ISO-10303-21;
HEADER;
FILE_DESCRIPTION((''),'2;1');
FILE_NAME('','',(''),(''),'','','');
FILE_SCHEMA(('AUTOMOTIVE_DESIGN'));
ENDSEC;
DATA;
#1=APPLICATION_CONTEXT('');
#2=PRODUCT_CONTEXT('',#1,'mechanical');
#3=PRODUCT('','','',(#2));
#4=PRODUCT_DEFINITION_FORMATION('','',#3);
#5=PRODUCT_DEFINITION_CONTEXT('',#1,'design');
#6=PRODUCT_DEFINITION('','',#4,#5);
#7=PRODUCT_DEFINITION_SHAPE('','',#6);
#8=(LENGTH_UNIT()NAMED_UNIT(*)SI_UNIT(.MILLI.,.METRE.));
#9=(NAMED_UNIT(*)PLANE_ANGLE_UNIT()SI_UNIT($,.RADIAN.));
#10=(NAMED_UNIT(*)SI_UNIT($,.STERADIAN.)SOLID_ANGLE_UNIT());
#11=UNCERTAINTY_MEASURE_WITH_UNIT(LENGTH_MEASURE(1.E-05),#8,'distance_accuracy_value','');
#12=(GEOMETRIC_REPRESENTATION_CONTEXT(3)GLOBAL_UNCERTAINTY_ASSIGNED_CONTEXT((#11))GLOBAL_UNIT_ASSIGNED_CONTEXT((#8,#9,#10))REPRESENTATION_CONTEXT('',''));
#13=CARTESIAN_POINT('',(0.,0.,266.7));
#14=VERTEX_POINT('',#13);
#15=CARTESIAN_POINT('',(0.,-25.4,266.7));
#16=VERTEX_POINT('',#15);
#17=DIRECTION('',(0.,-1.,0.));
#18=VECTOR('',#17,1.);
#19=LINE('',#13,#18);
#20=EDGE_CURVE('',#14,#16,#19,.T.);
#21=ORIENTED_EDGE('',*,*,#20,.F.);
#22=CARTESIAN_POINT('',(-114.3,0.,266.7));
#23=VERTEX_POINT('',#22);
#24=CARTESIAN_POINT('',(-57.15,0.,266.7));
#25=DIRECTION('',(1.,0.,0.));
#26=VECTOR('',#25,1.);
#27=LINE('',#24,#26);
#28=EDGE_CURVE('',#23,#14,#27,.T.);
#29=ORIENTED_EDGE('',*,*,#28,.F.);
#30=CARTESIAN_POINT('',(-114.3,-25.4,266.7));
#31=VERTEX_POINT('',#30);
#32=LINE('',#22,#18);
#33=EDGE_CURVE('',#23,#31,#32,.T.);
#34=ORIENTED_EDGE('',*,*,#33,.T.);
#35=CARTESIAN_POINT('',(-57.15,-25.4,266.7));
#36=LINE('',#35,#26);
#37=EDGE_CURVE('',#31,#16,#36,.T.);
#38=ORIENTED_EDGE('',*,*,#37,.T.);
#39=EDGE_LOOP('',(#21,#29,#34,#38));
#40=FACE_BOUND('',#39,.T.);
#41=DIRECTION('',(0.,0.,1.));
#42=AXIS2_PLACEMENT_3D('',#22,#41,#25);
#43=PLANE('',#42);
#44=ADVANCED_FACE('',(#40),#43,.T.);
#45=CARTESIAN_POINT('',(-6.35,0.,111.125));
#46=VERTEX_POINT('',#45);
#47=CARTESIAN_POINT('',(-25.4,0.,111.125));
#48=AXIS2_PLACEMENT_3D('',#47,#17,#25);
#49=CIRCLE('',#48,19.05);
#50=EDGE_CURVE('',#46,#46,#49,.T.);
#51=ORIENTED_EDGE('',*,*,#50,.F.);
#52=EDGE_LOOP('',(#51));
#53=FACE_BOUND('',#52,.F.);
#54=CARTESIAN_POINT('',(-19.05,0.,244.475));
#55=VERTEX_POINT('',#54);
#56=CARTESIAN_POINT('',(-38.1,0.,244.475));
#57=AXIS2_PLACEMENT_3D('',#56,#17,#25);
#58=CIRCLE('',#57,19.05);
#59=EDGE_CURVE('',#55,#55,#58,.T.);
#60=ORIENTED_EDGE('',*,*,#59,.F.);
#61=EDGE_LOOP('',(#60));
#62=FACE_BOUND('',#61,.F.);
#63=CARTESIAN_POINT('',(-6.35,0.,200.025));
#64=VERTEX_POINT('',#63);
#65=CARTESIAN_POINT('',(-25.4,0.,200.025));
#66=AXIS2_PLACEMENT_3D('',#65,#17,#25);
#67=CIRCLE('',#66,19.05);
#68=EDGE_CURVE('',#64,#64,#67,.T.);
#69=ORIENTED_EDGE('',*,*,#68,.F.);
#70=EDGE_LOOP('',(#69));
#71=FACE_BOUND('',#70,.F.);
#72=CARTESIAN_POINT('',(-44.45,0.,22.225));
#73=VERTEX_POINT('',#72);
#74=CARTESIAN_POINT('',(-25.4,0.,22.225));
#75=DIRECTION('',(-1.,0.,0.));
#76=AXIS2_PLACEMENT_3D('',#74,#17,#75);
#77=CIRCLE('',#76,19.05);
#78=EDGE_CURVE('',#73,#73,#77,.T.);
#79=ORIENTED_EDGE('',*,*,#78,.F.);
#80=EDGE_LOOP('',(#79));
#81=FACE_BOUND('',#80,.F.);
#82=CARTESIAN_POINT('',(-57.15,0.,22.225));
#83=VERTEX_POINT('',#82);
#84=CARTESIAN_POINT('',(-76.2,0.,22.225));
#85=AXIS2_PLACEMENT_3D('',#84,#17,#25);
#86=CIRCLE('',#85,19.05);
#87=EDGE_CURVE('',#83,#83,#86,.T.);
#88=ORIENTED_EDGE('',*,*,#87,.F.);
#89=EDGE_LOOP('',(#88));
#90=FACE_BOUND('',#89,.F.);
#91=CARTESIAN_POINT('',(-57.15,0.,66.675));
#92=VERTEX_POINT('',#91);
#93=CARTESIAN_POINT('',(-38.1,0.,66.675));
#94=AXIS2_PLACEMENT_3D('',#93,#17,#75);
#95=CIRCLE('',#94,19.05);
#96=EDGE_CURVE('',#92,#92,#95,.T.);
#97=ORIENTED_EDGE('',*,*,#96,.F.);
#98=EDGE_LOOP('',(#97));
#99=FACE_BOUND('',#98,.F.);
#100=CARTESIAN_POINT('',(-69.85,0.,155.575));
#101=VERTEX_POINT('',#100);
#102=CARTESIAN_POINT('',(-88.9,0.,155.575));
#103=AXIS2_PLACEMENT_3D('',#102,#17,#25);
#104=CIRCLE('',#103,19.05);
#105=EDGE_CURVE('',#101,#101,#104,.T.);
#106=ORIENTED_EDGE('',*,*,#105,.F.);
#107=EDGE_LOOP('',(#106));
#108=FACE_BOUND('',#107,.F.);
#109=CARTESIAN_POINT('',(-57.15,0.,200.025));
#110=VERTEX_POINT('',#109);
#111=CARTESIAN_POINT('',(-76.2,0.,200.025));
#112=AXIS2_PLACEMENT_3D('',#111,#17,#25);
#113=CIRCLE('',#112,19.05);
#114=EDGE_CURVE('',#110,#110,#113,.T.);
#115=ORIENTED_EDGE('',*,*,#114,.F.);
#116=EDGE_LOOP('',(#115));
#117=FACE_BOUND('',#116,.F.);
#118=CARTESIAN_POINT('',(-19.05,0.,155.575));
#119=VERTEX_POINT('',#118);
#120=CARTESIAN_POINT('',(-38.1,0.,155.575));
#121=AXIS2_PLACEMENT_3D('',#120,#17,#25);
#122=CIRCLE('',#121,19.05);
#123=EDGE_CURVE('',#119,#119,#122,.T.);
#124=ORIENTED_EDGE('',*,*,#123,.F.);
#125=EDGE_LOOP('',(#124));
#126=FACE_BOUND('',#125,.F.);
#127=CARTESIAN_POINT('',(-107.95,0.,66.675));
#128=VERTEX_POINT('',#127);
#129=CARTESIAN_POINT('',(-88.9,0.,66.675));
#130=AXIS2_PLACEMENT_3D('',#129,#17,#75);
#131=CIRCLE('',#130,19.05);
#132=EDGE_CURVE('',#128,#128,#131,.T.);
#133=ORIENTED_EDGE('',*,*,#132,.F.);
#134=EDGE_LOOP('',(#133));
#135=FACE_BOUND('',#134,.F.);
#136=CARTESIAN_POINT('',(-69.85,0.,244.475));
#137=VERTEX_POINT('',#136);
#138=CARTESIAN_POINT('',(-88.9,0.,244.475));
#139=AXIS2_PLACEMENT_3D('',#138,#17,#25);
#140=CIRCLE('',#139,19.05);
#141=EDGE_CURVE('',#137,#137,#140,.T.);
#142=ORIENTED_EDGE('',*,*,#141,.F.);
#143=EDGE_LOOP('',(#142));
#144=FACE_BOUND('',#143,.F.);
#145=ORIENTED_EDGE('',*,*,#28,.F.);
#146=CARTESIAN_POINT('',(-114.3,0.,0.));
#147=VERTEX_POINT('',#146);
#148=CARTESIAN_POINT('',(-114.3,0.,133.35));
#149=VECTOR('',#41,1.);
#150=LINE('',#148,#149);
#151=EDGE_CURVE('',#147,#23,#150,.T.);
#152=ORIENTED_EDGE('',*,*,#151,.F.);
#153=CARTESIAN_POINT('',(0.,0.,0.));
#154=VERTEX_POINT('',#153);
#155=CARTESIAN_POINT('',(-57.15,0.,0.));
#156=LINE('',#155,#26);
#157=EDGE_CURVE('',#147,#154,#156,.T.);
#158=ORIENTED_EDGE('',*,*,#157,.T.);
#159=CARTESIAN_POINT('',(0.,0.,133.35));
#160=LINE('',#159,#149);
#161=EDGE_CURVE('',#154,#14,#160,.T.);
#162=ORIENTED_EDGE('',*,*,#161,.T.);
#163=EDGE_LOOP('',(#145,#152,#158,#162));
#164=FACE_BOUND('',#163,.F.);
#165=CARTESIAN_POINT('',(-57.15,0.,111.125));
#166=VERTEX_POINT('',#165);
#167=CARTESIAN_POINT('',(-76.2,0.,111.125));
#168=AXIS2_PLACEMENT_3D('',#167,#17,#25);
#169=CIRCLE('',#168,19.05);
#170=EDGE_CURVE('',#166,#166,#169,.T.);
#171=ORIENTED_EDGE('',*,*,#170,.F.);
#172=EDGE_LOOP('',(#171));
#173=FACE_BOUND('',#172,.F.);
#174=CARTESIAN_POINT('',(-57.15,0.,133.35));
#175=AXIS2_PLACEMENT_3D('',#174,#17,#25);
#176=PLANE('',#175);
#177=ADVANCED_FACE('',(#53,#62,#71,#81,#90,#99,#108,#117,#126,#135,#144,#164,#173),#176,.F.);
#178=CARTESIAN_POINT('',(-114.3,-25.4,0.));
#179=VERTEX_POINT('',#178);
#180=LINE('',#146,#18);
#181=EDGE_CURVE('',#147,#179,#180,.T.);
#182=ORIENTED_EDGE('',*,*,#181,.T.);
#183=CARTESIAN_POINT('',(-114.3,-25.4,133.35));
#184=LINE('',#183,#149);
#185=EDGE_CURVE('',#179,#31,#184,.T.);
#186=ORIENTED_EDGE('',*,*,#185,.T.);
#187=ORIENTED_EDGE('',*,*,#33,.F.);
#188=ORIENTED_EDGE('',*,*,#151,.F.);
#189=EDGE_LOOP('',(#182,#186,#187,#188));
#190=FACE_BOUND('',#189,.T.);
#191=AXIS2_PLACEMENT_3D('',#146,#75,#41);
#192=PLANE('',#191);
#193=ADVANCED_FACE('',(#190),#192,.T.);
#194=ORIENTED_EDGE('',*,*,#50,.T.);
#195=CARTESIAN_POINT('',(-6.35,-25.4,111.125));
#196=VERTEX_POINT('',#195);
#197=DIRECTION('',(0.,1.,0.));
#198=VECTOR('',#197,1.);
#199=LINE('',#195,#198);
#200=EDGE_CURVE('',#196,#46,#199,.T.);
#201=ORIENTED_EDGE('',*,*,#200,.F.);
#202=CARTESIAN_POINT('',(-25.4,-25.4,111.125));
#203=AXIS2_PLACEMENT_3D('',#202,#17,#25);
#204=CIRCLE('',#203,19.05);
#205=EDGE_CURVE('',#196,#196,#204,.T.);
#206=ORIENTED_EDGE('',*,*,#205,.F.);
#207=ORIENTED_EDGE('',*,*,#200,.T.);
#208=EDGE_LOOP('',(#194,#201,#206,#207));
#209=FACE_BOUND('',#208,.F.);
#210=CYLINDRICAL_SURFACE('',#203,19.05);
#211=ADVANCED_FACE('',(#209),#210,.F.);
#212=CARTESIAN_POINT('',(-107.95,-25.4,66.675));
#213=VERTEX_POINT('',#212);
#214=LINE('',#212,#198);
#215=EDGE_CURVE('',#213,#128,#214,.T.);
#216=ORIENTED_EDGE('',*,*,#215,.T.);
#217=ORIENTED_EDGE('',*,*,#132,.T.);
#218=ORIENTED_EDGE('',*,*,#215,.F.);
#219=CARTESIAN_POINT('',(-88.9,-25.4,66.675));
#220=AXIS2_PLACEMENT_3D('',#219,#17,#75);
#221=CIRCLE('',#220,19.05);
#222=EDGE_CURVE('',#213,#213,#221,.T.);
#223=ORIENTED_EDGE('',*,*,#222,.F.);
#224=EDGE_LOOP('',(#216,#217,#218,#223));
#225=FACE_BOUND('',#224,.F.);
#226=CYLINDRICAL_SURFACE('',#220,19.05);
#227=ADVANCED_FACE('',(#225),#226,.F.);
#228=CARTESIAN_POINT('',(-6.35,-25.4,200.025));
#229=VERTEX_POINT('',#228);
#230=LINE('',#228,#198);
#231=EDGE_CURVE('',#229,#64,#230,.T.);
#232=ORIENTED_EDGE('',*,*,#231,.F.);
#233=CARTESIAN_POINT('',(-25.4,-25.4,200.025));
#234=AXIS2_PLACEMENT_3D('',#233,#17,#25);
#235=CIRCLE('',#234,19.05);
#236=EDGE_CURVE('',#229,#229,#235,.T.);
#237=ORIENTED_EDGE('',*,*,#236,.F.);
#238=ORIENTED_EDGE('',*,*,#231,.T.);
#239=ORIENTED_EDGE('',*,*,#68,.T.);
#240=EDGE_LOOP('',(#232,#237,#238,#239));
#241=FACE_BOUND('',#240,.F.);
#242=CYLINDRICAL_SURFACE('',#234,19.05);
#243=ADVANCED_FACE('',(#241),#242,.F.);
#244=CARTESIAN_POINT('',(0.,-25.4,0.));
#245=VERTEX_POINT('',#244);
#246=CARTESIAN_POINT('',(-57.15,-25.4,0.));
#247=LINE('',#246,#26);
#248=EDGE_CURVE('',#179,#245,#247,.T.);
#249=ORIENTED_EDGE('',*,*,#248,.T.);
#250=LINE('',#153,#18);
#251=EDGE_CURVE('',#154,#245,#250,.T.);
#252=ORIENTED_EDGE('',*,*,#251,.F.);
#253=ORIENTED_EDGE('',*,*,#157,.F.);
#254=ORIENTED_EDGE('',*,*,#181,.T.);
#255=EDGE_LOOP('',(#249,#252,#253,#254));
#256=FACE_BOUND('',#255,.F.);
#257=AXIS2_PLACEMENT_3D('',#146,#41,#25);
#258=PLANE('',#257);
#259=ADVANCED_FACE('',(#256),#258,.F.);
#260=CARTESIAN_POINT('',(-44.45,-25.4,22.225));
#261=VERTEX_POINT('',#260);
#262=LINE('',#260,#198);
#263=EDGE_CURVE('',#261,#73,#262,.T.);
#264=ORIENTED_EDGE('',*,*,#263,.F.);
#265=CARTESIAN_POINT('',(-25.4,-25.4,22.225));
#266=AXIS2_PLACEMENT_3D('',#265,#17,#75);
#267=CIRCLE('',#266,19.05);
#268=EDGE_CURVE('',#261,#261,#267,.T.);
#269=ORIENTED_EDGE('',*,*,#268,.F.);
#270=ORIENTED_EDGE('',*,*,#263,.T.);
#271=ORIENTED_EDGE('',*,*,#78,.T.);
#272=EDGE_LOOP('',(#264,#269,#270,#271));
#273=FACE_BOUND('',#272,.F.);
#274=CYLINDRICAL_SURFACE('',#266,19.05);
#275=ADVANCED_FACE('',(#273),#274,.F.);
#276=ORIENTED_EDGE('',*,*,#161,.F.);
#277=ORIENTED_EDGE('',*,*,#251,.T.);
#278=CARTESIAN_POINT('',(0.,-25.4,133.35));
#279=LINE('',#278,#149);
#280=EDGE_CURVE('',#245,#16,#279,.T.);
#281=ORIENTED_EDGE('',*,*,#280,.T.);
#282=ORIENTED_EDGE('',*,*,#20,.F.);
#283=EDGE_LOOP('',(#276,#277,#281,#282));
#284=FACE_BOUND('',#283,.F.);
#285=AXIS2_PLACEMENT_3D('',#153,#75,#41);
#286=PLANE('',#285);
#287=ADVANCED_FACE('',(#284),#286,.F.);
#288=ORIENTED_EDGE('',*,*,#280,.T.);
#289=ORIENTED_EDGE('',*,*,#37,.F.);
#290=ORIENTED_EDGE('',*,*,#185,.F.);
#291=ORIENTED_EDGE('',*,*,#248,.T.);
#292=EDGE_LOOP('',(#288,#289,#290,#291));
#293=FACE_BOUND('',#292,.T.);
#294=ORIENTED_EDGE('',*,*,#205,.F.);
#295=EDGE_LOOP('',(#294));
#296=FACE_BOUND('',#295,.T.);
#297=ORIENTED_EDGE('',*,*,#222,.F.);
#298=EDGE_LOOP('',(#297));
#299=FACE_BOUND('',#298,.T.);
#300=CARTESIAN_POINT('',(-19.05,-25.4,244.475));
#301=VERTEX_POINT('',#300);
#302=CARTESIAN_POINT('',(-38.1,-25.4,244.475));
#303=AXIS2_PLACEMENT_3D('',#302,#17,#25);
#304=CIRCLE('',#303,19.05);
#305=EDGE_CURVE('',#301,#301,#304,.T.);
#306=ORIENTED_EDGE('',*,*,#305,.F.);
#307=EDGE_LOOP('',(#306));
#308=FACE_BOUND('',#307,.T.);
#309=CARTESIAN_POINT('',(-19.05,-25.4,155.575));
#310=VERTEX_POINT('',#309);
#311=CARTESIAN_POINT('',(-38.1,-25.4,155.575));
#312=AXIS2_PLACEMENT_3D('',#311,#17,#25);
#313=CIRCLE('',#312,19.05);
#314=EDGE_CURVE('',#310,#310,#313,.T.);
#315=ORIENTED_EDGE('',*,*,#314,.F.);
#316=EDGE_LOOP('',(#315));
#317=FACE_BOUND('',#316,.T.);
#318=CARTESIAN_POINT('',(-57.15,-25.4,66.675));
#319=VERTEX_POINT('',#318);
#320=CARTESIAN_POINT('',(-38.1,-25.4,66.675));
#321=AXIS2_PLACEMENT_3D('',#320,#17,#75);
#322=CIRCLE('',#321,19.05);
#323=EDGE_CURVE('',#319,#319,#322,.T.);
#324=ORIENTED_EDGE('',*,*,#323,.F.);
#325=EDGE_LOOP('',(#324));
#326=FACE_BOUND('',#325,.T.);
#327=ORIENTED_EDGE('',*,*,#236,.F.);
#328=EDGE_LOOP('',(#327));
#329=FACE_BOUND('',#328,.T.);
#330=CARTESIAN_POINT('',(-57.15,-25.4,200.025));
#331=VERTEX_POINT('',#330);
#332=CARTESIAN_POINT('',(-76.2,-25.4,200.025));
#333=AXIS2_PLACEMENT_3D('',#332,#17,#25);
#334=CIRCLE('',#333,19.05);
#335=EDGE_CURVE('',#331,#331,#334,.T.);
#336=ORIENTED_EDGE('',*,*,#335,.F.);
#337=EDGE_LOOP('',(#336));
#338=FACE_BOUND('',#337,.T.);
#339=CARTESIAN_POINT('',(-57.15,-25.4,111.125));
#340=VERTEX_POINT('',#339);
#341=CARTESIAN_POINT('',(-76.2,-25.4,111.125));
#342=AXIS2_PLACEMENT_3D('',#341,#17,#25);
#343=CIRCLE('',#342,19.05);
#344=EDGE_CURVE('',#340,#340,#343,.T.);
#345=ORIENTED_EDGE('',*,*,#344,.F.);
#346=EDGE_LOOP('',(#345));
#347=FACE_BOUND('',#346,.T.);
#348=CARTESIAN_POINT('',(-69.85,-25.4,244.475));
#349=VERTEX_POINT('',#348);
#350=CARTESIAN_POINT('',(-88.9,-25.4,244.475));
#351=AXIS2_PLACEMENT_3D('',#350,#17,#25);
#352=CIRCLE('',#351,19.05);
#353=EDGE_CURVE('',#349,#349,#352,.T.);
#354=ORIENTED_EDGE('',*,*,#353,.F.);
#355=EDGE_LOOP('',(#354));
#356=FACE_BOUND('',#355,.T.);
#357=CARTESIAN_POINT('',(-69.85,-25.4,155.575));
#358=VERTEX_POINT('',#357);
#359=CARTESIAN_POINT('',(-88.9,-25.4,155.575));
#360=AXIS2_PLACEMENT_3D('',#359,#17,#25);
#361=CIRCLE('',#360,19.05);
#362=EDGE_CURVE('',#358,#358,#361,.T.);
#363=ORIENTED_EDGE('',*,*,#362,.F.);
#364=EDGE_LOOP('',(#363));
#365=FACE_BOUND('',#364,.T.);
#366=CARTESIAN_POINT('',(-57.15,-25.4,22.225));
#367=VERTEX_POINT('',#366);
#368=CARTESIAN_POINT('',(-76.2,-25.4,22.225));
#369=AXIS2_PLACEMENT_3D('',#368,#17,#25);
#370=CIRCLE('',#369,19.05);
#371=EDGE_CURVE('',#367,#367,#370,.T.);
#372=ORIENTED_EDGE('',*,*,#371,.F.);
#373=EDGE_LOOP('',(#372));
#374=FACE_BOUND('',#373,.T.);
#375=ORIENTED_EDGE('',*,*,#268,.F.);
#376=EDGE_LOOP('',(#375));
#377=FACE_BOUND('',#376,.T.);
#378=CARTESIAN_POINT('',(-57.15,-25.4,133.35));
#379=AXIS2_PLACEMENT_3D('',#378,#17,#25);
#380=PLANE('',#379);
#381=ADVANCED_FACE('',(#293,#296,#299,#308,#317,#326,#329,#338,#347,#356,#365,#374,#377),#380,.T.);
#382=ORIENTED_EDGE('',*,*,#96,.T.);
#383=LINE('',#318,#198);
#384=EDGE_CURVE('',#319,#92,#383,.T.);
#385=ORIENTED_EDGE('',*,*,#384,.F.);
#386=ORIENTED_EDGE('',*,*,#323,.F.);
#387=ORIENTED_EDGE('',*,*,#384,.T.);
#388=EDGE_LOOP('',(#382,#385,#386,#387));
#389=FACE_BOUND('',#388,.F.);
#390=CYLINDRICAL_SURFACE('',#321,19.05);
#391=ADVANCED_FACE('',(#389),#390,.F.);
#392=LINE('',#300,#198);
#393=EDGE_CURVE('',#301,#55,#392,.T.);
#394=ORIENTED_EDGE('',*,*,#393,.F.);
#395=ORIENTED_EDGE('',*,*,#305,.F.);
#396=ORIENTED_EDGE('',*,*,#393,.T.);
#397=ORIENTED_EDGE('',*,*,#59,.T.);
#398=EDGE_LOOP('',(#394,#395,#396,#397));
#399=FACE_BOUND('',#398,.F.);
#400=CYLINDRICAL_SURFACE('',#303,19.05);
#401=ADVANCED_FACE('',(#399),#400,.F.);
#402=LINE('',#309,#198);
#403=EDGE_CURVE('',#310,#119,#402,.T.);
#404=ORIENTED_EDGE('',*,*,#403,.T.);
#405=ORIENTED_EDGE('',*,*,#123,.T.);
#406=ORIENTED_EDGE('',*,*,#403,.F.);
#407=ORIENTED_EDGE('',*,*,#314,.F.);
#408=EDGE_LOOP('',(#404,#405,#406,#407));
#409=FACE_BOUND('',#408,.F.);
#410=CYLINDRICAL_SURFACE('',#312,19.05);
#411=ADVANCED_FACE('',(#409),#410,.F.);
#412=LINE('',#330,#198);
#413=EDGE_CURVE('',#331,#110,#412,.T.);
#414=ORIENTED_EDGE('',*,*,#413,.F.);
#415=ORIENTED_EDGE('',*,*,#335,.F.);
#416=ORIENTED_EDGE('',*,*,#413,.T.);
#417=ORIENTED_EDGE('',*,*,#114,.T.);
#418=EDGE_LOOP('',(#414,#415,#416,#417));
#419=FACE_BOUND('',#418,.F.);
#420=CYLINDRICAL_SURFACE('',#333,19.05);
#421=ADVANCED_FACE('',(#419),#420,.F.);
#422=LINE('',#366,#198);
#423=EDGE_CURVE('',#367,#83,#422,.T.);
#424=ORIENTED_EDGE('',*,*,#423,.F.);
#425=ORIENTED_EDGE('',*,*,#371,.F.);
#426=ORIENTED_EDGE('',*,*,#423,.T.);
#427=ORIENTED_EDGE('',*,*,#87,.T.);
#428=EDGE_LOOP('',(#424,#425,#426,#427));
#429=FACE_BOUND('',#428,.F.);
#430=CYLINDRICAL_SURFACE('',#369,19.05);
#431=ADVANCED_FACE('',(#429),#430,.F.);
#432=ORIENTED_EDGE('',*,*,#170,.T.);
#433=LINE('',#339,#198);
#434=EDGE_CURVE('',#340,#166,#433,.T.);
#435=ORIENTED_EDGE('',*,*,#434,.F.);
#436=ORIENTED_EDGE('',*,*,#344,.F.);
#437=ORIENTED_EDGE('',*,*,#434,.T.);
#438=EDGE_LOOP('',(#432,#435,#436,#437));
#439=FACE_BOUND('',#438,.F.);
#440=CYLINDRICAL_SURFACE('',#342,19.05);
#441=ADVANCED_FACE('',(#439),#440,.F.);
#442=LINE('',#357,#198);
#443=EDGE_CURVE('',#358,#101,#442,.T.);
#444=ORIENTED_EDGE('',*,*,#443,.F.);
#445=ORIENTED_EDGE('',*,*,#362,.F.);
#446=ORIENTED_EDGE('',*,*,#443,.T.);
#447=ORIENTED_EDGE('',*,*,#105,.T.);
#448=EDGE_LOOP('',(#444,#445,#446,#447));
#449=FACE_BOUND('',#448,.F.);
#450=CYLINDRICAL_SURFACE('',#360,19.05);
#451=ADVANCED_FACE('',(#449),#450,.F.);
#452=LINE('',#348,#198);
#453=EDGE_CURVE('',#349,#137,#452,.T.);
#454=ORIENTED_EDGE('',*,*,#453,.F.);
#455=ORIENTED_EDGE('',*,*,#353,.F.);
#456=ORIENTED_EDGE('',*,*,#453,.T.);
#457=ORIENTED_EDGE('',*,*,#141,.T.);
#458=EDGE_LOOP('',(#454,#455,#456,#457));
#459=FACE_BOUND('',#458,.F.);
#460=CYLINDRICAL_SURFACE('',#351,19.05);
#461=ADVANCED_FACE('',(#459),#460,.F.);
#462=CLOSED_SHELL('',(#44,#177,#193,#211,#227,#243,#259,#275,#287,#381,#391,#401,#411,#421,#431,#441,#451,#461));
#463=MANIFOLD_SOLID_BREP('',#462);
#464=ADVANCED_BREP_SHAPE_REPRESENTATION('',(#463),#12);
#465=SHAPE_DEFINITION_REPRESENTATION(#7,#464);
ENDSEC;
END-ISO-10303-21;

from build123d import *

# Parameters (mm, degrees)
F0_W     = 114.3
F0_H     = 266.7
F1_DEPTH = 25.4
F2_R     = 19.05
F3_DEPTH = 25.4


with BuildPart() as f1:
    # F0 (on Front) → F1 (new body)
    with BuildSketch(Plane.XZ):
        with Locations((-57.15, 133.35)):
            Rectangle(F0_W, F0_H)
    extrude(amount=F1_DEPTH)

    # F2 (on face) → F3 (cut)
    with BuildSketch(Plane.XZ.offset(25.4)):
        with BuildLine():
            Line((-25.4, 22.225), (-6.35, 22.225))
            ThreePointArc((-6.35, 22.225), (-25.4, 41.275), (-44.45, 22.225))
            Line((-44.45, 22.225), (-25.4, 22.225))
        make_face()
        with Locations((-76.2, 22.225)):
            Circle(F2_R)
        with BuildLine():
            ThreePointArc((-44.45, 22.225), (-25.4, 3.175), (-6.35, 22.225))
            Line((-6.35, 22.225), (-25.4, 22.225))
            Line((-25.4, 22.225), (-44.45, 22.225))
        make_face()
        with BuildLine():
            ThreePointArc((-69.85, 66.675), (-88.9, 85.725), (-107.95, 66.675))
            Line((-107.95, 66.675), (-88.9, 66.675))
            Line((-88.9, 66.675), (-69.85, 66.675))
        make_face()
        with BuildLine():
            ThreePointArc((-19.05, 66.675), (-38.1, 85.725), (-57.15, 66.675))
            ThreePointArc((-57.15, 66.675), (-38.1, 47.625), (-19.05, 66.675))
        make_face()
        with BuildLine():
            Line((-88.9, 66.675), (-107.95, 66.675))
            ThreePointArc((-107.95, 66.675), (-88.9, 47.625), (-69.85, 66.675))
            Line((-69.85, 66.675), (-88.9, 66.675))
        make_face()
        with Locations((-25.4, 111.125)):
            Circle(F2_R)
        with Locations((-76.2, 111.125)):
            Circle(F2_R)
        with Locations((-25.4, 200.025)):
            Circle(F2_R)
        with Locations((-76.2, 200.025)):
            Circle(F2_R)
        with Locations((-38.1, 155.575)):
            Circle(F2_R)
        with Locations((-88.9, 155.575)):
            Circle(F2_R)
        with Locations((-38.1, 244.475)):
            Circle(F2_R)
        with Locations((-88.9, 244.475)):
            Circle(F2_R)
    extrude(amount=-F3_DEPTH, mode=Mode.SUBTRACT)


solid = f1.part
